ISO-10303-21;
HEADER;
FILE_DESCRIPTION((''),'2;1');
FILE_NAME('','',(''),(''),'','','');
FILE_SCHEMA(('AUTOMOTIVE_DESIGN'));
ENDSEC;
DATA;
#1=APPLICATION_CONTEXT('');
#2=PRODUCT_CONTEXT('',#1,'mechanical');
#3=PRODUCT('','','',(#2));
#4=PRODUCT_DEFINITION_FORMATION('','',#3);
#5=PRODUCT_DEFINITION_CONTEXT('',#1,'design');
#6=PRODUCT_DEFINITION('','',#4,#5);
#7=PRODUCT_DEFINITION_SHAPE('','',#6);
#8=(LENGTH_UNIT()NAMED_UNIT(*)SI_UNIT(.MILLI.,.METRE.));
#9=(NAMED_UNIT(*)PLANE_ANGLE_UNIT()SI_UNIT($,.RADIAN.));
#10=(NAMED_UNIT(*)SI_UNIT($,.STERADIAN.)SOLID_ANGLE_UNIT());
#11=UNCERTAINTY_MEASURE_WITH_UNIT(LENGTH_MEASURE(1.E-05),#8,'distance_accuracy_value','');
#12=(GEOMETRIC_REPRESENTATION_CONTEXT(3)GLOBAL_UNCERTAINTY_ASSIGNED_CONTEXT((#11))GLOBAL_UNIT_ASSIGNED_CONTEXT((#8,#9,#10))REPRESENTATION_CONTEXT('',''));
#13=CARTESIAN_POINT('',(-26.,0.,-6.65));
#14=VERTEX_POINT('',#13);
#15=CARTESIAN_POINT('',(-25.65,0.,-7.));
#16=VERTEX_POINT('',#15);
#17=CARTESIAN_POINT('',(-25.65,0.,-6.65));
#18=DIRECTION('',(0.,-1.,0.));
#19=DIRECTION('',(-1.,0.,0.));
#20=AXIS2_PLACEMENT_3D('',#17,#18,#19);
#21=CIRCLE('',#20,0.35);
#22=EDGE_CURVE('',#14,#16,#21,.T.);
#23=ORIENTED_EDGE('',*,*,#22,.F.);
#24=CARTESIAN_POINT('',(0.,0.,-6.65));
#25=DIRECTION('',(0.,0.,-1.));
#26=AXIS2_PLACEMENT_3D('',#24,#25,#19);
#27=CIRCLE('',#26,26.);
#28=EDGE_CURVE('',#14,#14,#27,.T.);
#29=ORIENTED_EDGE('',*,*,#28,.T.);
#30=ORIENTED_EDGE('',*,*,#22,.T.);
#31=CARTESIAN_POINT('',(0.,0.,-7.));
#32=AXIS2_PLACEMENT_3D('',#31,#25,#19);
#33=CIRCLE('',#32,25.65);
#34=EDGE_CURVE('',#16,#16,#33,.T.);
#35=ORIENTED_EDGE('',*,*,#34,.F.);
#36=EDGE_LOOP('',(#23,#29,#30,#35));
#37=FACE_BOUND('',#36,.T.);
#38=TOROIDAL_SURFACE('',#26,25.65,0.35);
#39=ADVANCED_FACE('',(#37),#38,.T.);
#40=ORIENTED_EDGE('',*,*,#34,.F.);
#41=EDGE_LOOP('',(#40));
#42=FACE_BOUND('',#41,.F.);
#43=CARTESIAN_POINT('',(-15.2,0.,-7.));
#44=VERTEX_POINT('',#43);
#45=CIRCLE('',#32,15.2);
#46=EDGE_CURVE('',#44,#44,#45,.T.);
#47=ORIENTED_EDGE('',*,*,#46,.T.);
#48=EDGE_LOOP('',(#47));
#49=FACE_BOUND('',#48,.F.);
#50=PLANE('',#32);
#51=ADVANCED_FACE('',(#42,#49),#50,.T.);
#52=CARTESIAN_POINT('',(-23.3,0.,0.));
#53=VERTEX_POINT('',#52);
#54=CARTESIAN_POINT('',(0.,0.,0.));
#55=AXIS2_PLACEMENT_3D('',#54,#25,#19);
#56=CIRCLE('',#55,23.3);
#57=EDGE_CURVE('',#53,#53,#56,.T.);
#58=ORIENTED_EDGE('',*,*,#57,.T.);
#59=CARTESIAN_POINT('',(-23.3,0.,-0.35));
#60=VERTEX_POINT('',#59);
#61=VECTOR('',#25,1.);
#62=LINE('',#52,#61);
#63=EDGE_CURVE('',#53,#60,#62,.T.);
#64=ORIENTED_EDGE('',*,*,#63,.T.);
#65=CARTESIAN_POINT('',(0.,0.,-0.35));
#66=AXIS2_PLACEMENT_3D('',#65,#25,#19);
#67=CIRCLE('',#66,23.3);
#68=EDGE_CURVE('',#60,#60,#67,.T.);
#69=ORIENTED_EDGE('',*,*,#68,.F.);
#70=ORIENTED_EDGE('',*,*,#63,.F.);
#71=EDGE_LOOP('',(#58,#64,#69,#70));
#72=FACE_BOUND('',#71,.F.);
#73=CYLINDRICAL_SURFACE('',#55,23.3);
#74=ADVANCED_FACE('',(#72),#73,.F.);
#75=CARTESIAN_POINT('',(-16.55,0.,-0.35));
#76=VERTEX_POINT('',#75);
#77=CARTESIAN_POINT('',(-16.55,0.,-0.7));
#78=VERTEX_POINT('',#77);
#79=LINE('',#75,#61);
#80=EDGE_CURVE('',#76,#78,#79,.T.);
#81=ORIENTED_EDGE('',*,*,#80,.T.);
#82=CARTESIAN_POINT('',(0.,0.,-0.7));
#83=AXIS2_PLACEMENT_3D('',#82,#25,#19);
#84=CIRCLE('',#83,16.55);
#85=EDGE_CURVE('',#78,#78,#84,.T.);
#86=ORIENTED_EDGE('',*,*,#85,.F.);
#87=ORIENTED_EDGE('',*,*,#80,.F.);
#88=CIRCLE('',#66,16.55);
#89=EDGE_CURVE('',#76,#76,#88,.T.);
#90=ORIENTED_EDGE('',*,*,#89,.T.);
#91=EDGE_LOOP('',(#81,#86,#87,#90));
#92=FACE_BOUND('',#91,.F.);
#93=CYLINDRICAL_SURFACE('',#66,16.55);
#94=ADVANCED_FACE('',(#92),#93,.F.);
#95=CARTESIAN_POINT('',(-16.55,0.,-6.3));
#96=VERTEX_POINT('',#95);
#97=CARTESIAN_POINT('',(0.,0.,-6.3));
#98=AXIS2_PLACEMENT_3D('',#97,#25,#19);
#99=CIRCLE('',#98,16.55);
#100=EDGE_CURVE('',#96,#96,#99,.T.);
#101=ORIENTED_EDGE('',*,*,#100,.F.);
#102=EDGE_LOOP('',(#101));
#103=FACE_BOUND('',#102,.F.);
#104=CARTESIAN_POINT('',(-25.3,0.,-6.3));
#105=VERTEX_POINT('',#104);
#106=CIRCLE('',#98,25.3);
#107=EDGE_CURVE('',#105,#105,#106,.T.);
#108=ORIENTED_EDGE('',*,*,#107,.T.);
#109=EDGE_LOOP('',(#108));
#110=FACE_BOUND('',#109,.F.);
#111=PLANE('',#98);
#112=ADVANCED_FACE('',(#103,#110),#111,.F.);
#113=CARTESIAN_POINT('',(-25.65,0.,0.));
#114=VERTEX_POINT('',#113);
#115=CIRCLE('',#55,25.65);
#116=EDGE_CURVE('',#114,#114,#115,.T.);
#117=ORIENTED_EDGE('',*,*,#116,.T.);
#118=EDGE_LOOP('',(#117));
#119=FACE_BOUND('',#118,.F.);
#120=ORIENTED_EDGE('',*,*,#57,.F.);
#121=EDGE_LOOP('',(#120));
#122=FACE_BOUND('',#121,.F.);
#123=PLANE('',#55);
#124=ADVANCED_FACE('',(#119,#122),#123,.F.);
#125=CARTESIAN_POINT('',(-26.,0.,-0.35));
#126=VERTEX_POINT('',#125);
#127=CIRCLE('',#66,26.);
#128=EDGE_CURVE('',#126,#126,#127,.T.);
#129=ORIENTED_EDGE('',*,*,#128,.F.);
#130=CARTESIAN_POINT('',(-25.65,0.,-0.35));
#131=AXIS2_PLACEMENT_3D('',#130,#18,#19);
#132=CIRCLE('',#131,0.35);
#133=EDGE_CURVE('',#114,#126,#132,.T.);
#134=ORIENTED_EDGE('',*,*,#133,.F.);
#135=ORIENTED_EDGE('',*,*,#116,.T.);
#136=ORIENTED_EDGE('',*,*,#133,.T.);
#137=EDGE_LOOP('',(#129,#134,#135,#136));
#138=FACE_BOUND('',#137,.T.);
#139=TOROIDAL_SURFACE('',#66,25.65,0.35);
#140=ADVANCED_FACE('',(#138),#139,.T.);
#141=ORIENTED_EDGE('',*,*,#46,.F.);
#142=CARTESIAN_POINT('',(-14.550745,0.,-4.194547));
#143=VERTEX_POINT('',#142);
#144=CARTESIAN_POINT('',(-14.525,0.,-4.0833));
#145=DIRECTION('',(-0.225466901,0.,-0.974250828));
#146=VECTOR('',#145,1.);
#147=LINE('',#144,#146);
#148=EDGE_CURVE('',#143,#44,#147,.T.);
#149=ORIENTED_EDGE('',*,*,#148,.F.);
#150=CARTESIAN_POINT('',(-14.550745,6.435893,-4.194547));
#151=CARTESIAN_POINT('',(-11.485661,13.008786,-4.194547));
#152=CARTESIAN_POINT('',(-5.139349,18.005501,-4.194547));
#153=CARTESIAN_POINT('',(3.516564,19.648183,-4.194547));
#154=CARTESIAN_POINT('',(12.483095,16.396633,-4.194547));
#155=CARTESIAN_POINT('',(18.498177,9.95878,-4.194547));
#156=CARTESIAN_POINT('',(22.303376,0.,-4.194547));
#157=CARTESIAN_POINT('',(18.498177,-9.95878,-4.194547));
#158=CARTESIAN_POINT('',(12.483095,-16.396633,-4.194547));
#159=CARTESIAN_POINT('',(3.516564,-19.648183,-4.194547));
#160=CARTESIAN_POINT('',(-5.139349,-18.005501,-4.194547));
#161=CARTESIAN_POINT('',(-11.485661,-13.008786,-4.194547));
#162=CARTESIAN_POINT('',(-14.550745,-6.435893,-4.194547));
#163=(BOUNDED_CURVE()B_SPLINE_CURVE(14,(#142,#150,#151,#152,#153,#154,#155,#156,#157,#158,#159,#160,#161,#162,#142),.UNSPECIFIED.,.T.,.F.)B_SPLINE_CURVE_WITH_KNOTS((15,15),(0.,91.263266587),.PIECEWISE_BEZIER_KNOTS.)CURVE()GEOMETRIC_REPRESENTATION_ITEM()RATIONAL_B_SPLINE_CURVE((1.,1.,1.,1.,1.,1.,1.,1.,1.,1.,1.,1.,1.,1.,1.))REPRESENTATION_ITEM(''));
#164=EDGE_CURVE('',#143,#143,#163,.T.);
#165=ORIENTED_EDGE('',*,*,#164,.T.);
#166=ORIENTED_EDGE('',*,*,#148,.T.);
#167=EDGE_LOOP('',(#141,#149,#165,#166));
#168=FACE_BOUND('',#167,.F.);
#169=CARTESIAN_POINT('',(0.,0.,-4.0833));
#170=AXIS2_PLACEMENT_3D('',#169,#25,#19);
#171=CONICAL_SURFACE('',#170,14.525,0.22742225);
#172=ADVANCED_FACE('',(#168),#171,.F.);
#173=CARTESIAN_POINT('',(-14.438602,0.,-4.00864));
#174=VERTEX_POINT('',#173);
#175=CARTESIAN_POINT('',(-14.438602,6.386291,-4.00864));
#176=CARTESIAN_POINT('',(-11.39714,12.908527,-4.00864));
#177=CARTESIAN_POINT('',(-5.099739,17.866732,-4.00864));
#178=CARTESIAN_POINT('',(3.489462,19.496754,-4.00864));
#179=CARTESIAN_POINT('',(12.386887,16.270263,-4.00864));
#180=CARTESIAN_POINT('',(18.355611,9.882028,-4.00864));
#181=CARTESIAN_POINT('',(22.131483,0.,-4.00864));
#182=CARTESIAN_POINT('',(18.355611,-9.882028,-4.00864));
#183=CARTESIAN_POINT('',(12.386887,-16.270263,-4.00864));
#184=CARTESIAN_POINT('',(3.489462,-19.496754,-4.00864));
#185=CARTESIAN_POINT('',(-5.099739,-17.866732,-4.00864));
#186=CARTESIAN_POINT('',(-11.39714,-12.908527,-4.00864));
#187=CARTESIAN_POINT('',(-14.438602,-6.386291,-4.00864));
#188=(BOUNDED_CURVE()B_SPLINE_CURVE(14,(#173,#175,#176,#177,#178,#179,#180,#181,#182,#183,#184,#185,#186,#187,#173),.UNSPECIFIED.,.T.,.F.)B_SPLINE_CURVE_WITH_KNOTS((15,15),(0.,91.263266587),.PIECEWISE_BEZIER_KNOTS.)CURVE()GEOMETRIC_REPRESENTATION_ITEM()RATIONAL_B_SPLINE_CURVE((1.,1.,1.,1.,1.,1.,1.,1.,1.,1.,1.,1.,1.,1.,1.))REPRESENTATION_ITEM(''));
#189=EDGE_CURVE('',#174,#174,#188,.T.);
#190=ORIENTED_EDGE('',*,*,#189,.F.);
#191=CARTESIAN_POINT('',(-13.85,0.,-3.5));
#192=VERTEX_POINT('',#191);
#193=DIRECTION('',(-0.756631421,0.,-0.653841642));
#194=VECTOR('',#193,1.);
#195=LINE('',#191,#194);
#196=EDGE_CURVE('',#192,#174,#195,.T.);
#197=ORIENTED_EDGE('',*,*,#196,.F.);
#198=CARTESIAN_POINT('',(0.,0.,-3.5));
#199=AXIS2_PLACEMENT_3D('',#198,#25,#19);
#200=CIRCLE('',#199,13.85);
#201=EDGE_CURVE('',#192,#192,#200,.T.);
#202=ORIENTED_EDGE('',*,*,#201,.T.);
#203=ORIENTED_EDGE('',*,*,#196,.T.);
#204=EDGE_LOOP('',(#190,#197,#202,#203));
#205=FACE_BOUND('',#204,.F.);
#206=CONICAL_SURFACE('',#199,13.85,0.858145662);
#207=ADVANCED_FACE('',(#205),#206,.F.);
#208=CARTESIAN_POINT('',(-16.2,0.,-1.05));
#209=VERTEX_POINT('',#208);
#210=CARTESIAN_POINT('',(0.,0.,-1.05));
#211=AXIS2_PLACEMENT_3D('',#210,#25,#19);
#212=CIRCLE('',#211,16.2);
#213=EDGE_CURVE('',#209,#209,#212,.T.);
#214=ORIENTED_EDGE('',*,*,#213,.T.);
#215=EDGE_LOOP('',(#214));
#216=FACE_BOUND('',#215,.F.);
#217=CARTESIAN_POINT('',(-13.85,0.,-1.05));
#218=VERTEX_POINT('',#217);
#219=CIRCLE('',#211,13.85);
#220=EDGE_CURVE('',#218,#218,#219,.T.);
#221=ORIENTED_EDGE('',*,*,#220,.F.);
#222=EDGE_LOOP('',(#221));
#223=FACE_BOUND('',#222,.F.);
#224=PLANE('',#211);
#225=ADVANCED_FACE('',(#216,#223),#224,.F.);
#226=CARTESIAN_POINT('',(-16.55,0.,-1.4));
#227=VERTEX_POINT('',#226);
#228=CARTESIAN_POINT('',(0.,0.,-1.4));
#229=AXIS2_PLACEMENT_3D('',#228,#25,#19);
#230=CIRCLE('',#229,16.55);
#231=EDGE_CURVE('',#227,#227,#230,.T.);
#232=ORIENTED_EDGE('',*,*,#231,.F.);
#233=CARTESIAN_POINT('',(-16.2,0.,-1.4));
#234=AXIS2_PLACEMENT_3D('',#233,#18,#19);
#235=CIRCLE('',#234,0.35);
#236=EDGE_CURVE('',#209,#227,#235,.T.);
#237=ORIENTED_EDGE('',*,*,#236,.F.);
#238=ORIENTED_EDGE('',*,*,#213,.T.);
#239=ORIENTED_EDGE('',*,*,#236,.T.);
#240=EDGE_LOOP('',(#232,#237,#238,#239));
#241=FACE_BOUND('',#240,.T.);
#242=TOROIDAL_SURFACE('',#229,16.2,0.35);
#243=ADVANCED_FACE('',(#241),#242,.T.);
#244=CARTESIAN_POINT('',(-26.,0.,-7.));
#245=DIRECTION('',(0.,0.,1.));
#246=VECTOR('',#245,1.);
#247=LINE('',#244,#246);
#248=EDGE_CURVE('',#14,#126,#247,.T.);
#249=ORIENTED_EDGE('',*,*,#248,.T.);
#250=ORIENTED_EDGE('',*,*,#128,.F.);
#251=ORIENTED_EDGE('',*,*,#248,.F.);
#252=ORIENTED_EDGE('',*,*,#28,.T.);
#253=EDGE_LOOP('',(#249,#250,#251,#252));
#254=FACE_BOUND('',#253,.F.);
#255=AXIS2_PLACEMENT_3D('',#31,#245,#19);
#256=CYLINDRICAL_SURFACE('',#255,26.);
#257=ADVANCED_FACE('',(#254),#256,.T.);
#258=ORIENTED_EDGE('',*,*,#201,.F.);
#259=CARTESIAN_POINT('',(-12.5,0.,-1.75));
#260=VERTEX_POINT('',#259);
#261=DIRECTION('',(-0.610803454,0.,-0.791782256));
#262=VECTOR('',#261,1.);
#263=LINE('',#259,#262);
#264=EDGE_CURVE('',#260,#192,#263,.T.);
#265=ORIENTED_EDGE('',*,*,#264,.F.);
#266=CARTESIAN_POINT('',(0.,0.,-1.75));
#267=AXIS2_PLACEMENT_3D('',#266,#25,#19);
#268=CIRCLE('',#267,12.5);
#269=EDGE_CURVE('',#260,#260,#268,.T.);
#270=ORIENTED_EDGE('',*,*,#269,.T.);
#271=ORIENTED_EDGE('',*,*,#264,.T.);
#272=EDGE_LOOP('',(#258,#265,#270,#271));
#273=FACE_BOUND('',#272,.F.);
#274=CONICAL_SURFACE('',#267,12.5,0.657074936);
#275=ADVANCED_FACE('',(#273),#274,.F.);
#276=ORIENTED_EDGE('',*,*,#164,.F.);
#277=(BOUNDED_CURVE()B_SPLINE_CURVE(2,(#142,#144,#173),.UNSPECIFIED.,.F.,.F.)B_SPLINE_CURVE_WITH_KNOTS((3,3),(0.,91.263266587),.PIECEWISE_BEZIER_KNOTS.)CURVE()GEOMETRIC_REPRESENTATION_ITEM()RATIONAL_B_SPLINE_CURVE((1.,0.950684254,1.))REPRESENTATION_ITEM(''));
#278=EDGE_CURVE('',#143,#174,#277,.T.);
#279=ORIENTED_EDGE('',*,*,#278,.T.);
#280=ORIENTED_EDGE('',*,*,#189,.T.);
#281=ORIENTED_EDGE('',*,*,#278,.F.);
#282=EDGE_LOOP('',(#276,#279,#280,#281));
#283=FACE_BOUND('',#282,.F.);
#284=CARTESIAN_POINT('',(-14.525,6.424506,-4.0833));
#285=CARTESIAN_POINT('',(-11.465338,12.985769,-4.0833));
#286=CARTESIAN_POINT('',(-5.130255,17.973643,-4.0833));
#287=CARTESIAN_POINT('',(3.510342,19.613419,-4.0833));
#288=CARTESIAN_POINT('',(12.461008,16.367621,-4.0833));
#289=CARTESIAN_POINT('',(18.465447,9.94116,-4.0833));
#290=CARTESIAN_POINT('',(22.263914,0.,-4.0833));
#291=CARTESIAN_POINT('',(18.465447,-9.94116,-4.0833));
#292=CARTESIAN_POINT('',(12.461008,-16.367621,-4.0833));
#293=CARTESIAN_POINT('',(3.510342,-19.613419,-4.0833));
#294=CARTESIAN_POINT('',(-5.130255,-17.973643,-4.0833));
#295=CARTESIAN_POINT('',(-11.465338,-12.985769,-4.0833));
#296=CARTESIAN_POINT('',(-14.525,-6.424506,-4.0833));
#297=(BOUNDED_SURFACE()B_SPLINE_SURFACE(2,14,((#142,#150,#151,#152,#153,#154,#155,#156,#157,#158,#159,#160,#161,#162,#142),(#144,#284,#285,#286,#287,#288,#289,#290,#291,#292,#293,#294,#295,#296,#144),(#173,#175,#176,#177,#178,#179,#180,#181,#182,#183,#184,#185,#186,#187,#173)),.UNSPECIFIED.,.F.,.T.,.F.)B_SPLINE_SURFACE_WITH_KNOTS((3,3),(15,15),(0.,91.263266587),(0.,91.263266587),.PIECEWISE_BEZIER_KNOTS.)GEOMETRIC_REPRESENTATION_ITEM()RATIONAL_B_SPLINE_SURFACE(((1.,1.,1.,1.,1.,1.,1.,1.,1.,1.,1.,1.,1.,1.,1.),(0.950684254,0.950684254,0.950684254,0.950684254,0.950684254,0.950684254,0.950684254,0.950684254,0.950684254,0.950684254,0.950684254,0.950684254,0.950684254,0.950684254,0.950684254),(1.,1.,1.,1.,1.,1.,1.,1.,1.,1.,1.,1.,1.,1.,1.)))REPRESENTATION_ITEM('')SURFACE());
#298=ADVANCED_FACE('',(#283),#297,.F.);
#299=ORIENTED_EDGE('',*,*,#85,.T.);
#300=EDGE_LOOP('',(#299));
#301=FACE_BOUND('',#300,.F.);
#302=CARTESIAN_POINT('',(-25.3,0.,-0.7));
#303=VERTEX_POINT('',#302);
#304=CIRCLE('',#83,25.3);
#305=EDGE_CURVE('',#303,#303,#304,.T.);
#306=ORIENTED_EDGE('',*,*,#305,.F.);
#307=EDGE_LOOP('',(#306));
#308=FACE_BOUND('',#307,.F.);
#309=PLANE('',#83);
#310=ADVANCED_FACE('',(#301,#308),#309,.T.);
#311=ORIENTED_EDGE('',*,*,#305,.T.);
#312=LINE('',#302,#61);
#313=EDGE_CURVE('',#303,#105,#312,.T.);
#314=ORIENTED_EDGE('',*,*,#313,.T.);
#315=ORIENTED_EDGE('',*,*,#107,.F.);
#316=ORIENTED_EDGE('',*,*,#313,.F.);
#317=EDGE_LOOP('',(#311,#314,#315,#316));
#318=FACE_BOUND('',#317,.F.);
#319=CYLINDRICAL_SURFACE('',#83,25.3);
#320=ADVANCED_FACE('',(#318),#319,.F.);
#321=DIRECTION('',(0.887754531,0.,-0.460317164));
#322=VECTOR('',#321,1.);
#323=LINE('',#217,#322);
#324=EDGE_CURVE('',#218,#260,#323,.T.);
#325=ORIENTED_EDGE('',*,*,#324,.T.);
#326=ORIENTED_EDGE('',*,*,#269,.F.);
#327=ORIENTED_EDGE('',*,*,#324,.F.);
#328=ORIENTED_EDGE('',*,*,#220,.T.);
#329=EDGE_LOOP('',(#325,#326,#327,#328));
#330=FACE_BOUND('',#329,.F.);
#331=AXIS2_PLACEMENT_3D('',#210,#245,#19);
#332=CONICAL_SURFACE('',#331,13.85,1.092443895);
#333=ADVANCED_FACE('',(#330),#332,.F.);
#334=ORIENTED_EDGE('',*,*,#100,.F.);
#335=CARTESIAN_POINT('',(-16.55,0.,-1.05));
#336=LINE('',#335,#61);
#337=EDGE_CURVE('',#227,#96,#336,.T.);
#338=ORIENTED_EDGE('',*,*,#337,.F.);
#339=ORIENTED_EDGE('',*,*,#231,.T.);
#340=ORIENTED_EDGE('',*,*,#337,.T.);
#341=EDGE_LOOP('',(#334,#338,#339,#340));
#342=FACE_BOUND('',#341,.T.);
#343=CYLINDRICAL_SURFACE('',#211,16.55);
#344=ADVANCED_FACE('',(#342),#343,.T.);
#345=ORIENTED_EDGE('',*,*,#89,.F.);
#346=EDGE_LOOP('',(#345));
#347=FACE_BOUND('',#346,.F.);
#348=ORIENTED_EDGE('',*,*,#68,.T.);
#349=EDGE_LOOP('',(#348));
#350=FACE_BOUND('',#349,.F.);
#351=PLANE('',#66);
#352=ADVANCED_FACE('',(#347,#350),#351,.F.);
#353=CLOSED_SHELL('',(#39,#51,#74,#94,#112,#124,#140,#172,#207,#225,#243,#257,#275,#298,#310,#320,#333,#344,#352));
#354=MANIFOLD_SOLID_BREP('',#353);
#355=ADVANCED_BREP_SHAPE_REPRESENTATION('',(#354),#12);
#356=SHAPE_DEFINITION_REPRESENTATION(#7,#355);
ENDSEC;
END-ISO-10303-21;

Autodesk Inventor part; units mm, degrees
ref_plane "YZ Plane" through (0, 0, 0) normal (1, 0, 0) x (0, 1, 0)
ref_plane "WorkPlane2" through (0, 0, 0) normal (0, 0, 1) x (1, 0, 0)
sketch "Sketch1" plane through (0, 0, 0) normal (0, 1, 0) x (-1, 0, 0)
  point P0 (0, 0)
ref_plane "WorkPlane3" through (0, 0, -7) normal (0, 0, 1) x (1, 0, 0)
sketch "Sketch2" plane through (0, 0, 0) normal (0, 1, 0) x (-1, 0, 0)
  line L0 (16.55, -0.7) -> (25.3, -0.7)
  line L1 (16.55, -0.35) -> (16.55, -0.7)
  line L2 (23.3, -0.35) -> (16.55, -0.35)
  line L3 (23.3, 0) -> (23.3, -0.35)
  line L4 (26, 0) -> (23.3, 0)
  line L5 (26, -7) -> (26, 0)
  line L6 (15.2, -7) -> (26, -7)
  line L7 (14.525, -4.0833) -> (15.2, -7)
  line L8 (13.85, -3.5) -> (14.525, -4.0833)
  line L9 (12.5, -1.75) -> (13.85, -3.5)
  line L10 (13.85, -1.05) -> (12.5, -1.75)
  line L11 (16.55, -1.05) -> (13.85, -1.05)
  line L12 (16.55, -1.05) -> (16.55, -6.3)
  line L13 (25.3, -6.3) -> (16.55, -6.3)
  line L14 (25.3, -0.7) -> (25.3, -6.3)
  line L15 (0, -15.959) -> (0, -1.7548) construction
  line L16 (0, -15.959) -> (0, -1.7548)
  line L17 (0, -19.1509) -> (0, 3.1918) projected
  line L18 (-5.2, 0) -> (31.2, 0) projected
  dimension "d2" = 7
  dimension "d4" = 0.35
  dimension "d6" = 0.35
  dimension "d8" = 0.35
  dimension "d10" = 0.7
  dimension "d12" = 0.7
  dimension "d14" = 2.7
  dimension "d16" = 2.7
  dimension "d18" = 2.9167
  dimension "d20" = 1.75
  dimension "d22" = 1.35
  dimension "d24" = 0.7
  dimension "d26" = 0.675
  dimension "d28" = 1.35
  dimension "d30" = 0.675
  dimension "msp_d33" = 25
  dimension "msp_d34" = 52
revolve "Revolution1" add sketch "Sketch2" angle 360 about axis through (0, 0, -15.959) along (0, 0, -1)
fillet "Fillet1" radius 0.35 4 edges at (26, 0, 0) (26, 0, -7) (14.525, 0, -4.0833) (16.55, 0, -1.05)
equation "\"d32\" = 0.05 * b"
equation "\"d2\" = b"
equation "\"d4\" = 0.05 * b"
equation "\"d6\" = 0.05 * b"
equation "\"d8\" = 0.05 * b"
equation "\"d10\" = 0.1 * b"
equation "\"d12\" = 0.1 * b"
equation "\"d14\" = 0.1 * dd - 0.1 * Diam"
equation "\"d16\" = 0.1 * dd - 0.1 * Diam"
equation "\"d18\" = 0.416667 * b"
equation "\"d20\" = 0.25 * b"
equation "\"d22\" = 0.05 * dd - 0.05 * Diam"
equation "\"d24\" = 0.1 * b"
equation "\"d26\" = 0.025 * dd - 0.025 * Diam"
equation "\"d28\" = 0.05 * dd - 0.05 * Diam"
equation "\"d30\" = 0.025 * dd - 0.025 * Diam"
equation "\"msp_d33\" = Diam"
equation "\"msp_d34\" = dd"
equation "\"dd\" = 52"
equation "\"Diam\" = 25"
properties part number "IS0 6194/1 - 25x52x7-Type 3" material "Rubber"
